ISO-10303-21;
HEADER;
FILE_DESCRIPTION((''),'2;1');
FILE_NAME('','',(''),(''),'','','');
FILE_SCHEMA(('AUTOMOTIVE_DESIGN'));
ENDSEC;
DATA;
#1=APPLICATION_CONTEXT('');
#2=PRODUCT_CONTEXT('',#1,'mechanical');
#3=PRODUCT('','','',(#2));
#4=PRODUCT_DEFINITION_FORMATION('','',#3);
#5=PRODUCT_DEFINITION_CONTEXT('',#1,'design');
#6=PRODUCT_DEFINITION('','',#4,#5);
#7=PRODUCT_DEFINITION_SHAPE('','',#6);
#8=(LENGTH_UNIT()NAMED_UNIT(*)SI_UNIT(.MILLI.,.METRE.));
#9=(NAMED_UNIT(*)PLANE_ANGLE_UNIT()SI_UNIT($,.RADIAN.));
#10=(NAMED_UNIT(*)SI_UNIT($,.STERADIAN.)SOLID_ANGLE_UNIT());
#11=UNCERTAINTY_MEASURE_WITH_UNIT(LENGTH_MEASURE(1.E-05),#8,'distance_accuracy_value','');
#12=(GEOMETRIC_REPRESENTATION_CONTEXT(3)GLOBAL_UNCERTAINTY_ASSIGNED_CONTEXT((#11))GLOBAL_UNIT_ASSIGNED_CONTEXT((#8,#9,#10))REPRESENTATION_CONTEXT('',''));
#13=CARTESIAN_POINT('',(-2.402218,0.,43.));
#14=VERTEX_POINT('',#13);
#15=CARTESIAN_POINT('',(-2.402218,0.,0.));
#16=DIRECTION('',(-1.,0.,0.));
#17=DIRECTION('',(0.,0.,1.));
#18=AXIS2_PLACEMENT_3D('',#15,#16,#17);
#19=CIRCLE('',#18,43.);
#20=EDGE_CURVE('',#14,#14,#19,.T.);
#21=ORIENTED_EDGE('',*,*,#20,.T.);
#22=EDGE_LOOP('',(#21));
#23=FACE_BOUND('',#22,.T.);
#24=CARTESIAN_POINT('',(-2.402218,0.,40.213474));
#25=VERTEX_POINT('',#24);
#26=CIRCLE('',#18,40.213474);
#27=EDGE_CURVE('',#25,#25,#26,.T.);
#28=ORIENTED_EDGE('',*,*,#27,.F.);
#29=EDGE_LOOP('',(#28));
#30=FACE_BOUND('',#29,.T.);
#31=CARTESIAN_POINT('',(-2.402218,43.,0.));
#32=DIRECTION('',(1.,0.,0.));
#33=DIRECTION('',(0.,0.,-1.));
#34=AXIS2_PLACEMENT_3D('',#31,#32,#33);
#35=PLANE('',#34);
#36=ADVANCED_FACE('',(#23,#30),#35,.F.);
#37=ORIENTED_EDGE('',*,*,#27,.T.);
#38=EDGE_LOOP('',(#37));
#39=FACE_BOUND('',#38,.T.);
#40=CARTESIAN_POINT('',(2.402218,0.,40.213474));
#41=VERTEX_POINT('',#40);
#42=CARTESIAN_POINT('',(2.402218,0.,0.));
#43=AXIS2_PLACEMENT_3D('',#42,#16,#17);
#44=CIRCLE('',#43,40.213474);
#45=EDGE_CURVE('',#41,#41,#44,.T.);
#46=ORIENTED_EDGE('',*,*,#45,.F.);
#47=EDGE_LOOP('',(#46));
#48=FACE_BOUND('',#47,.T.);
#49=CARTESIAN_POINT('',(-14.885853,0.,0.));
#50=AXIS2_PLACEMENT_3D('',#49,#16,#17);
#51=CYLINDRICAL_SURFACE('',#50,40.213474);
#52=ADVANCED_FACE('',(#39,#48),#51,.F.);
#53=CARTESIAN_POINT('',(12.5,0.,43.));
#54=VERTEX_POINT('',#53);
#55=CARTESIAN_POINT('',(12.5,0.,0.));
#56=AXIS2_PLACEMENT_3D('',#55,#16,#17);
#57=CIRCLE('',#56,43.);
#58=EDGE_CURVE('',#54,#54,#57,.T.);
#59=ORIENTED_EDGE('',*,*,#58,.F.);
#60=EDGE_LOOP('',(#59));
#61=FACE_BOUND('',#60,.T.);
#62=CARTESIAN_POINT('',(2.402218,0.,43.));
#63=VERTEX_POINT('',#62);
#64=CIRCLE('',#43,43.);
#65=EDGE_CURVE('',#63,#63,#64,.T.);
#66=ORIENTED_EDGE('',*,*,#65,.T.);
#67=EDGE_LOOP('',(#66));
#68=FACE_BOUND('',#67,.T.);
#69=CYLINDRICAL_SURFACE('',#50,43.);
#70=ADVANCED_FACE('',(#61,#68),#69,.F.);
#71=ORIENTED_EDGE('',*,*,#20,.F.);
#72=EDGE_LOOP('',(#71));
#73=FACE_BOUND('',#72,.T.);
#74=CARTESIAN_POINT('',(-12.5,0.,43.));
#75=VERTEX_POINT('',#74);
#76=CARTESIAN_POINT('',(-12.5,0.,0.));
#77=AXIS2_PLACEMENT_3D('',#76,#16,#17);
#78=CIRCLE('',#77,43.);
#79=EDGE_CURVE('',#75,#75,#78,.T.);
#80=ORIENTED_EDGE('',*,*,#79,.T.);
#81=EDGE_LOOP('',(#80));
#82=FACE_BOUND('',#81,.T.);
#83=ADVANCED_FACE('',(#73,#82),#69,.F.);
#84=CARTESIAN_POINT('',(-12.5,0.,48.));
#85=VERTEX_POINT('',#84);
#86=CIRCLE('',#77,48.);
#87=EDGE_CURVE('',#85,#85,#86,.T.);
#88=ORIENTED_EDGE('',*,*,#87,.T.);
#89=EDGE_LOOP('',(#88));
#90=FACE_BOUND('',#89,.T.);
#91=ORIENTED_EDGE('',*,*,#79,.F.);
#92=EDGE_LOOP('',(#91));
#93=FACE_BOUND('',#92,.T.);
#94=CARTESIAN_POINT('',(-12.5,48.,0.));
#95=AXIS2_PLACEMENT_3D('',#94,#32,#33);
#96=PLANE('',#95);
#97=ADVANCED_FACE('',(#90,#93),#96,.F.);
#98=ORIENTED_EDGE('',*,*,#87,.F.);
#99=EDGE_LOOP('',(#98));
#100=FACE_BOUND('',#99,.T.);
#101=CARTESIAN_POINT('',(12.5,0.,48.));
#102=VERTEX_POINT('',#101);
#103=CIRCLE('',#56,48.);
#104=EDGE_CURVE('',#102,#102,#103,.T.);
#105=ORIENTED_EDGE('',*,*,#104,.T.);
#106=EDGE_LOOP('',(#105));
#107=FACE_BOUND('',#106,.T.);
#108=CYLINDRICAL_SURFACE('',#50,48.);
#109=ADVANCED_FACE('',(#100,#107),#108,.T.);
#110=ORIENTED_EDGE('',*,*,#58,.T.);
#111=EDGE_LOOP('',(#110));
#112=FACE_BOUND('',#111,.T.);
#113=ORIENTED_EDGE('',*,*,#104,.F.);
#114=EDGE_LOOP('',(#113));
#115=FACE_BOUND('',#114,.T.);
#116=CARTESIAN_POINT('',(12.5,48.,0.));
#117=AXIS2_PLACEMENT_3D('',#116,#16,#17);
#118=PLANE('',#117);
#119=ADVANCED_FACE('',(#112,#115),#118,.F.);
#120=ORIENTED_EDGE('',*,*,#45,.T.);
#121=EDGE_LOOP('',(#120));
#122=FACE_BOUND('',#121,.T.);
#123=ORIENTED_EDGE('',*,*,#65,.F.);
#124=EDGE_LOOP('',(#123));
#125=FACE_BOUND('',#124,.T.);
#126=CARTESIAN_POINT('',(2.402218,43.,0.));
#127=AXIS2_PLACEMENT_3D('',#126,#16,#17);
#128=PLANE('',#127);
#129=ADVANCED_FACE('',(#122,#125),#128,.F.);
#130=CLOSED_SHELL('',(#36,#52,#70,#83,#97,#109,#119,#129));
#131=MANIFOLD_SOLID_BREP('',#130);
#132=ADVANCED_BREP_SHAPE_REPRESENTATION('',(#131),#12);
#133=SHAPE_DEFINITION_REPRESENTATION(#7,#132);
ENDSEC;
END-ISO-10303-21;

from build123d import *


with BuildPart() as part:
    # Skizze1 → Rotation1 (revolve)
    with BuildSketch(Plane.XY, mode=Mode.PRIVATE) as rotation1_sk:
        Polygon((-12.5, 48), (12.5, 48), (12.5, 43), (2.402218425, 43), (2.402218425, 40.213474445), (-2.402218425, 40.213474445), (-2.402218425, 43), (-12.5, 43), align=None)
    revolve(rotation1_sk.sketch.rotate(Axis((-14.885852911, 0, 0), (1, 0, 0)), 90), axis=Axis((-14.885852911, 0, 0), (1, 0, 0)))


solid = part.part
